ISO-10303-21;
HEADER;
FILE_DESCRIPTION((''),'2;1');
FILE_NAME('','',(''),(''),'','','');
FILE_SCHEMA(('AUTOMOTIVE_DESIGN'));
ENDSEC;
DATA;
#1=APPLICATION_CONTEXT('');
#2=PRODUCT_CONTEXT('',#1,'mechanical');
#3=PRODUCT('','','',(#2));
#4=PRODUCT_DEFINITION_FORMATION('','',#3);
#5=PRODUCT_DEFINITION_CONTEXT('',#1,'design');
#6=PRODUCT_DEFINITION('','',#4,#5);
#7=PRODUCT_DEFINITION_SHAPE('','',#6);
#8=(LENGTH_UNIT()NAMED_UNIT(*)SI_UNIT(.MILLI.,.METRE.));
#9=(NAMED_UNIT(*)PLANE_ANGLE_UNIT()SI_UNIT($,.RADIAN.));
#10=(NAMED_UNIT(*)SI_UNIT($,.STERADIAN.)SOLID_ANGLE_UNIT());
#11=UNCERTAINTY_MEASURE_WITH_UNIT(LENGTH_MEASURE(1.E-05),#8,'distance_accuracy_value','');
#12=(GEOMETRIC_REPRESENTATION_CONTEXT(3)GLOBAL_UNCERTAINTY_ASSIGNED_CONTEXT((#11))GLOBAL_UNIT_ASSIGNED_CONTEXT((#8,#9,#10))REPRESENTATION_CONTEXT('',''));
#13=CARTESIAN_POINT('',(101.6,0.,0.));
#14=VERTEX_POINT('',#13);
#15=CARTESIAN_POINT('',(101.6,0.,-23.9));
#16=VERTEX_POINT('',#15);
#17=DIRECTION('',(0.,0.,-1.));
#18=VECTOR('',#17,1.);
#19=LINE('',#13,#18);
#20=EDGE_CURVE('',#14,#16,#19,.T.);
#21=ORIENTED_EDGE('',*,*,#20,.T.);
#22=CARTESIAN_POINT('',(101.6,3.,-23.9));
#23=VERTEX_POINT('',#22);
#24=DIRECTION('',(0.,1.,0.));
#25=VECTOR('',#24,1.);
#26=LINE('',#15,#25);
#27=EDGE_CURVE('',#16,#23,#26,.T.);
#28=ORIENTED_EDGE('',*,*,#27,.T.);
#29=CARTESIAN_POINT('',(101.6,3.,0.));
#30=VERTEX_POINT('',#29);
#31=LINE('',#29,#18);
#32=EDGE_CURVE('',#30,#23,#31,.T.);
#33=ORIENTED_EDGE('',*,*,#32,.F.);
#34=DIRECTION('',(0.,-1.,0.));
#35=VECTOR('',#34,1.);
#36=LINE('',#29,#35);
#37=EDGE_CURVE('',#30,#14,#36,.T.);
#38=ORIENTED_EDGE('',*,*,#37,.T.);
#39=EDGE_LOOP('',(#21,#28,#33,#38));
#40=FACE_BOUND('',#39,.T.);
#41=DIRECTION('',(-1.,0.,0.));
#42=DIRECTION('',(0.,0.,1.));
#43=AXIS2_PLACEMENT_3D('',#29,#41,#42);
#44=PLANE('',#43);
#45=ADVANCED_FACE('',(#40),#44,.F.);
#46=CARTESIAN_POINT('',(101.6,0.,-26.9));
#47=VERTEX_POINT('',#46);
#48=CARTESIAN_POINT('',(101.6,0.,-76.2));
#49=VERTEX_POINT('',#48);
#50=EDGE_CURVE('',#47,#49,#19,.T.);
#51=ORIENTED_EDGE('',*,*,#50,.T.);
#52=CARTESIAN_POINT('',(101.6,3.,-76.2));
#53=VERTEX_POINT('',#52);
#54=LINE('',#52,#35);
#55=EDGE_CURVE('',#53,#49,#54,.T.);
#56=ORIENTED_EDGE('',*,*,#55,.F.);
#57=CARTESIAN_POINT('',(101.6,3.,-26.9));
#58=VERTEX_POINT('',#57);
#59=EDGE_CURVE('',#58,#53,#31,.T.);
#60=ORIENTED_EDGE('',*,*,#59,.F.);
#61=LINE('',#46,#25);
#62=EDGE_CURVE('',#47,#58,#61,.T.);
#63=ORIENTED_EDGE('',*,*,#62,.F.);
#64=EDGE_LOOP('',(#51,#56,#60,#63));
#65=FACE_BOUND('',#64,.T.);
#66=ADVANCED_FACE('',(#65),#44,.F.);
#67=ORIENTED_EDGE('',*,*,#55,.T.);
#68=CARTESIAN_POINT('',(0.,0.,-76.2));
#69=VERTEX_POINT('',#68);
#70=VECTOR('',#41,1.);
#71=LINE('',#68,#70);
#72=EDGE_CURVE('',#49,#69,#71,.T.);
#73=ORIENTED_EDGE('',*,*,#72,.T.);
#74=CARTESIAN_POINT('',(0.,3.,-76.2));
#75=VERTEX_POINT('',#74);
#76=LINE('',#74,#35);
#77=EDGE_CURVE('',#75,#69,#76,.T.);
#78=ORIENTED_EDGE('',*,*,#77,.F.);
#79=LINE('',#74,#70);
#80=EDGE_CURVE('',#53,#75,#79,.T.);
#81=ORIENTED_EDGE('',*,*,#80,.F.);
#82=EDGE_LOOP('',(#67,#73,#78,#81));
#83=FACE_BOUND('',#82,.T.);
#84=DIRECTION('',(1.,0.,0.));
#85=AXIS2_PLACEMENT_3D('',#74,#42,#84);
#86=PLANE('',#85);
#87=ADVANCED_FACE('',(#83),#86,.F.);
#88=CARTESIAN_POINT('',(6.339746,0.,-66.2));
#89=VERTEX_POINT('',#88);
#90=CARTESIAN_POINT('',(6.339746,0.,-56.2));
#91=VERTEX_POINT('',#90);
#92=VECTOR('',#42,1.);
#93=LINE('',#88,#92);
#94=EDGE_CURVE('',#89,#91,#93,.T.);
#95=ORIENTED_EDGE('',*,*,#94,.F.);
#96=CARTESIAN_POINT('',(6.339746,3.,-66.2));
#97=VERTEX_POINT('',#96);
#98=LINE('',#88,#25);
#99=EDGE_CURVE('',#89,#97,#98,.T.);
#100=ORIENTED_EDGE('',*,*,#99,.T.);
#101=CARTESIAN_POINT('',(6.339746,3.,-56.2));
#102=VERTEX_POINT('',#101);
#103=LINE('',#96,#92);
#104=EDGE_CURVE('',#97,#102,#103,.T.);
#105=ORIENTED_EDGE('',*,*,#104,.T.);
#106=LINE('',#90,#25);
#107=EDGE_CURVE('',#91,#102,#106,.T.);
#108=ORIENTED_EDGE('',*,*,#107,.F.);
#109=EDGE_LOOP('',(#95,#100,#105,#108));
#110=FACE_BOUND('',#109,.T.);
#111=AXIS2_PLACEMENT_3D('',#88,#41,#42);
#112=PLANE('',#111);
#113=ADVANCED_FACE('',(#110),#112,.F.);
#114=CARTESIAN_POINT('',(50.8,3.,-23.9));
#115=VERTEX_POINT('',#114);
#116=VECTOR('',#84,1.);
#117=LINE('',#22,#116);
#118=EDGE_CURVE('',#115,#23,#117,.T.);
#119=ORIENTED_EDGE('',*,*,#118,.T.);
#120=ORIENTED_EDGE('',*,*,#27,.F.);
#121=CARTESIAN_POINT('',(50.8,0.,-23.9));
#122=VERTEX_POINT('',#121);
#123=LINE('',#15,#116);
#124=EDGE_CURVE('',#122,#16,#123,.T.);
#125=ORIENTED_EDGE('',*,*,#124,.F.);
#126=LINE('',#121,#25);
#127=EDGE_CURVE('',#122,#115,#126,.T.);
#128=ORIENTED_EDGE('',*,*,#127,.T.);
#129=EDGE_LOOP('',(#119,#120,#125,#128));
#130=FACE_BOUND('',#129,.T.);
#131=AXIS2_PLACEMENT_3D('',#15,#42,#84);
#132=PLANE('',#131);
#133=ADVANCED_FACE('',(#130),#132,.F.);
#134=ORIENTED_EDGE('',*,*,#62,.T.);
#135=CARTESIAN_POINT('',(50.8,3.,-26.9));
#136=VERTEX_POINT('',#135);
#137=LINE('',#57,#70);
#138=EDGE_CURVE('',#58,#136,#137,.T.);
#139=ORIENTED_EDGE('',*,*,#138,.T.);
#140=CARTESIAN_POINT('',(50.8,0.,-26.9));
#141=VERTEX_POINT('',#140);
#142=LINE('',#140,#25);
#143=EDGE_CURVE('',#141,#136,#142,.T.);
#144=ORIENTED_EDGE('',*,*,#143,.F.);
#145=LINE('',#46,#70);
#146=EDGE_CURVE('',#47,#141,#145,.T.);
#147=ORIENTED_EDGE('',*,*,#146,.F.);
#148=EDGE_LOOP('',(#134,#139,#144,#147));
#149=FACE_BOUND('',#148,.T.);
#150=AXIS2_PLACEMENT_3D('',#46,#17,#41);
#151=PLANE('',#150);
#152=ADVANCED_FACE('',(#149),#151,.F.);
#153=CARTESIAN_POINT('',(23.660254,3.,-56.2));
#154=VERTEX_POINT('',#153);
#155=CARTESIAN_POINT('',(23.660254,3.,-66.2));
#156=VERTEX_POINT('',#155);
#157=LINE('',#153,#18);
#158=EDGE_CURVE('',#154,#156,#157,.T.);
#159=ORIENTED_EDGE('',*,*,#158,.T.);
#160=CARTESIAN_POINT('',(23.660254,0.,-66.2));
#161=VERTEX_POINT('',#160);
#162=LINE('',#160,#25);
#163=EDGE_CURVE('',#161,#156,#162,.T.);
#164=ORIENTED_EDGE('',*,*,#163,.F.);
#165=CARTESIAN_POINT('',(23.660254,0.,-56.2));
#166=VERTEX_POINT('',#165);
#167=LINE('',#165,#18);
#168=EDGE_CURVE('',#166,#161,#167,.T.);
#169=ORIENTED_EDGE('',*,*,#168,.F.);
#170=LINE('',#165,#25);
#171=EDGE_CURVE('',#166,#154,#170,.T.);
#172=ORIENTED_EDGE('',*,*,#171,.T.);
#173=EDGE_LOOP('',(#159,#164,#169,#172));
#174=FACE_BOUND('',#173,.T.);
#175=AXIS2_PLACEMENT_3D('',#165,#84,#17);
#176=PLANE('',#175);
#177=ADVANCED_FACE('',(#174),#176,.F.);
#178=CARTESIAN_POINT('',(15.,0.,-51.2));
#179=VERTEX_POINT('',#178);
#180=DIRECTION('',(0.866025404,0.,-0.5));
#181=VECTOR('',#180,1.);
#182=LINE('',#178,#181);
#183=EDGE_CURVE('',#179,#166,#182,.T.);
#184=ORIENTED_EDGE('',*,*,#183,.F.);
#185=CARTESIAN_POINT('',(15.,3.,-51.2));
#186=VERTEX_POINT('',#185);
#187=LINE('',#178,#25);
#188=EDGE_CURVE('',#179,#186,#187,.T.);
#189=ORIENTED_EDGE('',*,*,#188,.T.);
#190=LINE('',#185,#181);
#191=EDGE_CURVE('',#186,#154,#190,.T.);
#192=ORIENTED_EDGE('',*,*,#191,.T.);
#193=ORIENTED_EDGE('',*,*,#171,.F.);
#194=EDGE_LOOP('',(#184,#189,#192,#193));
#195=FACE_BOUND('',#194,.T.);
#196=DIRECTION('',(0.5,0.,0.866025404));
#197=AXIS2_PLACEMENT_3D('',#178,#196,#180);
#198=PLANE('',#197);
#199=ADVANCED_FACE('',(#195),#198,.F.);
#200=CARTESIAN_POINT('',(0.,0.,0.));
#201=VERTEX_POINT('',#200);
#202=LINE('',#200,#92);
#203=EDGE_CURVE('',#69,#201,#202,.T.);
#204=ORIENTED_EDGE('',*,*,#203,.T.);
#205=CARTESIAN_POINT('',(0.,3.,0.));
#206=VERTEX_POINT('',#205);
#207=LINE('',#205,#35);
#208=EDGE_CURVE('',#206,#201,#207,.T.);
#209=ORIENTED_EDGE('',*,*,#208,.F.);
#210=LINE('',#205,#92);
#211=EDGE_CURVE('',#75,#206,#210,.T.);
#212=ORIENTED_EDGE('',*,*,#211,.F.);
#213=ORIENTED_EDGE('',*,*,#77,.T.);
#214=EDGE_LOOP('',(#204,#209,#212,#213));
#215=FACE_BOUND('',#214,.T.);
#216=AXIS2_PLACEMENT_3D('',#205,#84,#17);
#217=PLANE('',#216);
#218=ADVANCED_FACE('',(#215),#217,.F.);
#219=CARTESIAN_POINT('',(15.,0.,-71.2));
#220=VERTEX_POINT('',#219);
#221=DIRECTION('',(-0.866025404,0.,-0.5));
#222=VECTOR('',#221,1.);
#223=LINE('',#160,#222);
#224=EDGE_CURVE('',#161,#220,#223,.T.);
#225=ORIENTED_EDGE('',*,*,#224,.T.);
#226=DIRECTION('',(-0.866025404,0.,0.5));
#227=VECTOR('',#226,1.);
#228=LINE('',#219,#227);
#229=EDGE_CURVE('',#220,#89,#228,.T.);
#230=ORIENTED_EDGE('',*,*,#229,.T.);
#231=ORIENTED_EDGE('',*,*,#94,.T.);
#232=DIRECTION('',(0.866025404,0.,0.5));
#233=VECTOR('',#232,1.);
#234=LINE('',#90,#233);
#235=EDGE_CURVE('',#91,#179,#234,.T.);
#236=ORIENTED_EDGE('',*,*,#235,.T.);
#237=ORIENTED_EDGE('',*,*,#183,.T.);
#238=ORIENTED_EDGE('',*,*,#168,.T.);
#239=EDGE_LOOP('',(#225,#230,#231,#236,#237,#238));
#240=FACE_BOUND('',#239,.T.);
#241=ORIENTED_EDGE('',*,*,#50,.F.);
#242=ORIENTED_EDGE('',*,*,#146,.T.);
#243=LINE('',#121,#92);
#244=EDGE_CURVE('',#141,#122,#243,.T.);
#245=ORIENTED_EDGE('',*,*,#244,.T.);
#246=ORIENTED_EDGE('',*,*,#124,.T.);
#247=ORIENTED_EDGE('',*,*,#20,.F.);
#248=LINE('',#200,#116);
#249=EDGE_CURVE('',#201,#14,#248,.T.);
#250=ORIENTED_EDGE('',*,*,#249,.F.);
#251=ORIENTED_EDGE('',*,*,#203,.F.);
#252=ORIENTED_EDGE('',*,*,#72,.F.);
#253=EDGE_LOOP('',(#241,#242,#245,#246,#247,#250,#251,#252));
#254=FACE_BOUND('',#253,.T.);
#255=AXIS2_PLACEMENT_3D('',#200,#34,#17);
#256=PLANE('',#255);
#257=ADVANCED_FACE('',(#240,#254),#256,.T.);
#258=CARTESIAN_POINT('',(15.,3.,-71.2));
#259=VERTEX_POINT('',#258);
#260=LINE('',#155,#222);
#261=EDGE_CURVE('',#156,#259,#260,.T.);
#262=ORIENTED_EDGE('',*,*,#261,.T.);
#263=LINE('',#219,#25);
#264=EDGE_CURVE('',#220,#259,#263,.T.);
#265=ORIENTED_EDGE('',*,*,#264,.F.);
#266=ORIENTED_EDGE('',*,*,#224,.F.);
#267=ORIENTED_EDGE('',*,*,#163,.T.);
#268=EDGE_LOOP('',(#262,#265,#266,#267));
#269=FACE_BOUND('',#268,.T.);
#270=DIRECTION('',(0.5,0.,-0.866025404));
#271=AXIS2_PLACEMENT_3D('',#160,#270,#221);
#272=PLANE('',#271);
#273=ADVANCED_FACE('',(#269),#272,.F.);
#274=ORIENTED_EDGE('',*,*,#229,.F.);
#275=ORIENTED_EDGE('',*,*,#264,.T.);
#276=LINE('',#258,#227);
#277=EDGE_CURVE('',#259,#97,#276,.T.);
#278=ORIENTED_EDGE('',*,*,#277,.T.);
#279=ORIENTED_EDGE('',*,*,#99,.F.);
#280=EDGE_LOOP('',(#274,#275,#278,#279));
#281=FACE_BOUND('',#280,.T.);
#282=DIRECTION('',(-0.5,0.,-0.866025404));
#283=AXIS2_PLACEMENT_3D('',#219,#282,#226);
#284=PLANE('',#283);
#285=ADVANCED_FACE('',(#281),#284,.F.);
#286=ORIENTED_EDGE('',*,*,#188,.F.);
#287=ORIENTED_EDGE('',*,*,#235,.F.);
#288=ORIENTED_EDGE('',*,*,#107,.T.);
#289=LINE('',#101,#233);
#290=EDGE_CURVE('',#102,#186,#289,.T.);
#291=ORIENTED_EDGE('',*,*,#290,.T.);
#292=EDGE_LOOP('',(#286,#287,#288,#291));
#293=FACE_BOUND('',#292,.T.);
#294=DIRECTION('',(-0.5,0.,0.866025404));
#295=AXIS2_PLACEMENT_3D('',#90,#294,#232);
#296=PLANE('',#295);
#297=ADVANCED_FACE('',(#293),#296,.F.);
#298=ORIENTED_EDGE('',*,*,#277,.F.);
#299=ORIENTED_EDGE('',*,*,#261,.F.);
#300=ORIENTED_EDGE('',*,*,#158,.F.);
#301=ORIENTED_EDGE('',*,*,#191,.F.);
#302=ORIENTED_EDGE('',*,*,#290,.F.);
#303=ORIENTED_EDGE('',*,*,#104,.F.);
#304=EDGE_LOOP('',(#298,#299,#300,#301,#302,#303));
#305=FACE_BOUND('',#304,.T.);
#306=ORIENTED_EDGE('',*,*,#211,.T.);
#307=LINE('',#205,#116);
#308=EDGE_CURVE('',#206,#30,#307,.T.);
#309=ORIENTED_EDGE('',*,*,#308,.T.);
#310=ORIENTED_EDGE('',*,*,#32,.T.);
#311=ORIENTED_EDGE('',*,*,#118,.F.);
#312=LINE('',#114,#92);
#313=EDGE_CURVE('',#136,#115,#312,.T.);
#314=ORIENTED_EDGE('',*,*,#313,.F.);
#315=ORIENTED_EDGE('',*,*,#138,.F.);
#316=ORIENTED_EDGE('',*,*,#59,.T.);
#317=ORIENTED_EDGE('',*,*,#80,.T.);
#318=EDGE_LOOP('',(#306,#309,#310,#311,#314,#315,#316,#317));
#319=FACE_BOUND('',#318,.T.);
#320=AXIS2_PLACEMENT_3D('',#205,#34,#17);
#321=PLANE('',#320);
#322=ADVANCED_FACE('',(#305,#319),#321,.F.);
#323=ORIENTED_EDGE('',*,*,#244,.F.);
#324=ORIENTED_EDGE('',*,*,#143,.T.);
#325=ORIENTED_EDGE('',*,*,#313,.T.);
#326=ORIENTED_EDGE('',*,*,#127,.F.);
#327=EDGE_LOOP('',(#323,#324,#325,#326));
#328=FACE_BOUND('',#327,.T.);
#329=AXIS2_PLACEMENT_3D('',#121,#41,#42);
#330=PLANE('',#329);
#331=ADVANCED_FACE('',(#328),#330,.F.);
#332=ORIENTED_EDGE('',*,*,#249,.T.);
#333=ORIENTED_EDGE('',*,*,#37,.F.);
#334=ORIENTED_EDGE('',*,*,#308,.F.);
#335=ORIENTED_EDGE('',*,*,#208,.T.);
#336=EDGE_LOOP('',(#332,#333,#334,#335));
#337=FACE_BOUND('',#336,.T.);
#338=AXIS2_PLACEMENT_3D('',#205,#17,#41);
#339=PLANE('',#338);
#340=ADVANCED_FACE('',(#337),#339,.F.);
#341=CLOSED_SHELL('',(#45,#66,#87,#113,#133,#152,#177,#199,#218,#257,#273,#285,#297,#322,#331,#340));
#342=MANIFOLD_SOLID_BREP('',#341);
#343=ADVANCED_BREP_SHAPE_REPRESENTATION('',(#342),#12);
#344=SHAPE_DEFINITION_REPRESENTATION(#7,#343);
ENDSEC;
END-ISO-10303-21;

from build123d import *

# Parameters (mm, degrees)
SKETCH1_W           = 101.6
SKETCH1_H           = 76.2
BOSS_EXTRUDE1_DEPTH = 3
SKETCH2_W           = 50.8
SKETCH2_H           = 3
CUT_EXTRUDE1_DEPTH  = 3
CUT_EXTRUDE2_DEPTH  = 3


with BuildPart() as part:
    # Sketch1 → Boss-Extrude1 (new body)
    with BuildSketch(Plane(origin=(0, 0, 0), x_dir=(1, 0, 0), z_dir=(0, 1, 0))):
        with Locations((50.8, 38.1)):
            Rectangle(SKETCH1_W, SKETCH1_H)
    extrude(amount=BOSS_EXTRUDE1_DEPTH)

    # Sketch2 → Cut-Extrude1 (cut)
    with BuildSketch(Plane(origin=(0, 3, 0), x_dir=(1, 0, 0), z_dir=(0, 1, 0))):
        with Locations((76.2, 25.4)):
            Rectangle(SKETCH2_W, SKETCH2_H)
    extrude(amount=-CUT_EXTRUDE1_DEPTH, mode=Mode.SUBTRACT)

    # Sketch3 → Cut-Extrude2 (cut)
    with BuildSketch(Plane(origin=(0, 3, 0), x_dir=(1, 0, 0), z_dir=(0, 1, 0))):
        Polygon((15, 51.2), (23.660254038, 56.2), (23.660254038, 66.2), (15, 71.2), (6.339745962, 66.2), (6.339745962, 56.2), align=None)
    extrude(amount=-CUT_EXTRUDE2_DEPTH, mode=Mode.SUBTRACT)


solid = part.part
